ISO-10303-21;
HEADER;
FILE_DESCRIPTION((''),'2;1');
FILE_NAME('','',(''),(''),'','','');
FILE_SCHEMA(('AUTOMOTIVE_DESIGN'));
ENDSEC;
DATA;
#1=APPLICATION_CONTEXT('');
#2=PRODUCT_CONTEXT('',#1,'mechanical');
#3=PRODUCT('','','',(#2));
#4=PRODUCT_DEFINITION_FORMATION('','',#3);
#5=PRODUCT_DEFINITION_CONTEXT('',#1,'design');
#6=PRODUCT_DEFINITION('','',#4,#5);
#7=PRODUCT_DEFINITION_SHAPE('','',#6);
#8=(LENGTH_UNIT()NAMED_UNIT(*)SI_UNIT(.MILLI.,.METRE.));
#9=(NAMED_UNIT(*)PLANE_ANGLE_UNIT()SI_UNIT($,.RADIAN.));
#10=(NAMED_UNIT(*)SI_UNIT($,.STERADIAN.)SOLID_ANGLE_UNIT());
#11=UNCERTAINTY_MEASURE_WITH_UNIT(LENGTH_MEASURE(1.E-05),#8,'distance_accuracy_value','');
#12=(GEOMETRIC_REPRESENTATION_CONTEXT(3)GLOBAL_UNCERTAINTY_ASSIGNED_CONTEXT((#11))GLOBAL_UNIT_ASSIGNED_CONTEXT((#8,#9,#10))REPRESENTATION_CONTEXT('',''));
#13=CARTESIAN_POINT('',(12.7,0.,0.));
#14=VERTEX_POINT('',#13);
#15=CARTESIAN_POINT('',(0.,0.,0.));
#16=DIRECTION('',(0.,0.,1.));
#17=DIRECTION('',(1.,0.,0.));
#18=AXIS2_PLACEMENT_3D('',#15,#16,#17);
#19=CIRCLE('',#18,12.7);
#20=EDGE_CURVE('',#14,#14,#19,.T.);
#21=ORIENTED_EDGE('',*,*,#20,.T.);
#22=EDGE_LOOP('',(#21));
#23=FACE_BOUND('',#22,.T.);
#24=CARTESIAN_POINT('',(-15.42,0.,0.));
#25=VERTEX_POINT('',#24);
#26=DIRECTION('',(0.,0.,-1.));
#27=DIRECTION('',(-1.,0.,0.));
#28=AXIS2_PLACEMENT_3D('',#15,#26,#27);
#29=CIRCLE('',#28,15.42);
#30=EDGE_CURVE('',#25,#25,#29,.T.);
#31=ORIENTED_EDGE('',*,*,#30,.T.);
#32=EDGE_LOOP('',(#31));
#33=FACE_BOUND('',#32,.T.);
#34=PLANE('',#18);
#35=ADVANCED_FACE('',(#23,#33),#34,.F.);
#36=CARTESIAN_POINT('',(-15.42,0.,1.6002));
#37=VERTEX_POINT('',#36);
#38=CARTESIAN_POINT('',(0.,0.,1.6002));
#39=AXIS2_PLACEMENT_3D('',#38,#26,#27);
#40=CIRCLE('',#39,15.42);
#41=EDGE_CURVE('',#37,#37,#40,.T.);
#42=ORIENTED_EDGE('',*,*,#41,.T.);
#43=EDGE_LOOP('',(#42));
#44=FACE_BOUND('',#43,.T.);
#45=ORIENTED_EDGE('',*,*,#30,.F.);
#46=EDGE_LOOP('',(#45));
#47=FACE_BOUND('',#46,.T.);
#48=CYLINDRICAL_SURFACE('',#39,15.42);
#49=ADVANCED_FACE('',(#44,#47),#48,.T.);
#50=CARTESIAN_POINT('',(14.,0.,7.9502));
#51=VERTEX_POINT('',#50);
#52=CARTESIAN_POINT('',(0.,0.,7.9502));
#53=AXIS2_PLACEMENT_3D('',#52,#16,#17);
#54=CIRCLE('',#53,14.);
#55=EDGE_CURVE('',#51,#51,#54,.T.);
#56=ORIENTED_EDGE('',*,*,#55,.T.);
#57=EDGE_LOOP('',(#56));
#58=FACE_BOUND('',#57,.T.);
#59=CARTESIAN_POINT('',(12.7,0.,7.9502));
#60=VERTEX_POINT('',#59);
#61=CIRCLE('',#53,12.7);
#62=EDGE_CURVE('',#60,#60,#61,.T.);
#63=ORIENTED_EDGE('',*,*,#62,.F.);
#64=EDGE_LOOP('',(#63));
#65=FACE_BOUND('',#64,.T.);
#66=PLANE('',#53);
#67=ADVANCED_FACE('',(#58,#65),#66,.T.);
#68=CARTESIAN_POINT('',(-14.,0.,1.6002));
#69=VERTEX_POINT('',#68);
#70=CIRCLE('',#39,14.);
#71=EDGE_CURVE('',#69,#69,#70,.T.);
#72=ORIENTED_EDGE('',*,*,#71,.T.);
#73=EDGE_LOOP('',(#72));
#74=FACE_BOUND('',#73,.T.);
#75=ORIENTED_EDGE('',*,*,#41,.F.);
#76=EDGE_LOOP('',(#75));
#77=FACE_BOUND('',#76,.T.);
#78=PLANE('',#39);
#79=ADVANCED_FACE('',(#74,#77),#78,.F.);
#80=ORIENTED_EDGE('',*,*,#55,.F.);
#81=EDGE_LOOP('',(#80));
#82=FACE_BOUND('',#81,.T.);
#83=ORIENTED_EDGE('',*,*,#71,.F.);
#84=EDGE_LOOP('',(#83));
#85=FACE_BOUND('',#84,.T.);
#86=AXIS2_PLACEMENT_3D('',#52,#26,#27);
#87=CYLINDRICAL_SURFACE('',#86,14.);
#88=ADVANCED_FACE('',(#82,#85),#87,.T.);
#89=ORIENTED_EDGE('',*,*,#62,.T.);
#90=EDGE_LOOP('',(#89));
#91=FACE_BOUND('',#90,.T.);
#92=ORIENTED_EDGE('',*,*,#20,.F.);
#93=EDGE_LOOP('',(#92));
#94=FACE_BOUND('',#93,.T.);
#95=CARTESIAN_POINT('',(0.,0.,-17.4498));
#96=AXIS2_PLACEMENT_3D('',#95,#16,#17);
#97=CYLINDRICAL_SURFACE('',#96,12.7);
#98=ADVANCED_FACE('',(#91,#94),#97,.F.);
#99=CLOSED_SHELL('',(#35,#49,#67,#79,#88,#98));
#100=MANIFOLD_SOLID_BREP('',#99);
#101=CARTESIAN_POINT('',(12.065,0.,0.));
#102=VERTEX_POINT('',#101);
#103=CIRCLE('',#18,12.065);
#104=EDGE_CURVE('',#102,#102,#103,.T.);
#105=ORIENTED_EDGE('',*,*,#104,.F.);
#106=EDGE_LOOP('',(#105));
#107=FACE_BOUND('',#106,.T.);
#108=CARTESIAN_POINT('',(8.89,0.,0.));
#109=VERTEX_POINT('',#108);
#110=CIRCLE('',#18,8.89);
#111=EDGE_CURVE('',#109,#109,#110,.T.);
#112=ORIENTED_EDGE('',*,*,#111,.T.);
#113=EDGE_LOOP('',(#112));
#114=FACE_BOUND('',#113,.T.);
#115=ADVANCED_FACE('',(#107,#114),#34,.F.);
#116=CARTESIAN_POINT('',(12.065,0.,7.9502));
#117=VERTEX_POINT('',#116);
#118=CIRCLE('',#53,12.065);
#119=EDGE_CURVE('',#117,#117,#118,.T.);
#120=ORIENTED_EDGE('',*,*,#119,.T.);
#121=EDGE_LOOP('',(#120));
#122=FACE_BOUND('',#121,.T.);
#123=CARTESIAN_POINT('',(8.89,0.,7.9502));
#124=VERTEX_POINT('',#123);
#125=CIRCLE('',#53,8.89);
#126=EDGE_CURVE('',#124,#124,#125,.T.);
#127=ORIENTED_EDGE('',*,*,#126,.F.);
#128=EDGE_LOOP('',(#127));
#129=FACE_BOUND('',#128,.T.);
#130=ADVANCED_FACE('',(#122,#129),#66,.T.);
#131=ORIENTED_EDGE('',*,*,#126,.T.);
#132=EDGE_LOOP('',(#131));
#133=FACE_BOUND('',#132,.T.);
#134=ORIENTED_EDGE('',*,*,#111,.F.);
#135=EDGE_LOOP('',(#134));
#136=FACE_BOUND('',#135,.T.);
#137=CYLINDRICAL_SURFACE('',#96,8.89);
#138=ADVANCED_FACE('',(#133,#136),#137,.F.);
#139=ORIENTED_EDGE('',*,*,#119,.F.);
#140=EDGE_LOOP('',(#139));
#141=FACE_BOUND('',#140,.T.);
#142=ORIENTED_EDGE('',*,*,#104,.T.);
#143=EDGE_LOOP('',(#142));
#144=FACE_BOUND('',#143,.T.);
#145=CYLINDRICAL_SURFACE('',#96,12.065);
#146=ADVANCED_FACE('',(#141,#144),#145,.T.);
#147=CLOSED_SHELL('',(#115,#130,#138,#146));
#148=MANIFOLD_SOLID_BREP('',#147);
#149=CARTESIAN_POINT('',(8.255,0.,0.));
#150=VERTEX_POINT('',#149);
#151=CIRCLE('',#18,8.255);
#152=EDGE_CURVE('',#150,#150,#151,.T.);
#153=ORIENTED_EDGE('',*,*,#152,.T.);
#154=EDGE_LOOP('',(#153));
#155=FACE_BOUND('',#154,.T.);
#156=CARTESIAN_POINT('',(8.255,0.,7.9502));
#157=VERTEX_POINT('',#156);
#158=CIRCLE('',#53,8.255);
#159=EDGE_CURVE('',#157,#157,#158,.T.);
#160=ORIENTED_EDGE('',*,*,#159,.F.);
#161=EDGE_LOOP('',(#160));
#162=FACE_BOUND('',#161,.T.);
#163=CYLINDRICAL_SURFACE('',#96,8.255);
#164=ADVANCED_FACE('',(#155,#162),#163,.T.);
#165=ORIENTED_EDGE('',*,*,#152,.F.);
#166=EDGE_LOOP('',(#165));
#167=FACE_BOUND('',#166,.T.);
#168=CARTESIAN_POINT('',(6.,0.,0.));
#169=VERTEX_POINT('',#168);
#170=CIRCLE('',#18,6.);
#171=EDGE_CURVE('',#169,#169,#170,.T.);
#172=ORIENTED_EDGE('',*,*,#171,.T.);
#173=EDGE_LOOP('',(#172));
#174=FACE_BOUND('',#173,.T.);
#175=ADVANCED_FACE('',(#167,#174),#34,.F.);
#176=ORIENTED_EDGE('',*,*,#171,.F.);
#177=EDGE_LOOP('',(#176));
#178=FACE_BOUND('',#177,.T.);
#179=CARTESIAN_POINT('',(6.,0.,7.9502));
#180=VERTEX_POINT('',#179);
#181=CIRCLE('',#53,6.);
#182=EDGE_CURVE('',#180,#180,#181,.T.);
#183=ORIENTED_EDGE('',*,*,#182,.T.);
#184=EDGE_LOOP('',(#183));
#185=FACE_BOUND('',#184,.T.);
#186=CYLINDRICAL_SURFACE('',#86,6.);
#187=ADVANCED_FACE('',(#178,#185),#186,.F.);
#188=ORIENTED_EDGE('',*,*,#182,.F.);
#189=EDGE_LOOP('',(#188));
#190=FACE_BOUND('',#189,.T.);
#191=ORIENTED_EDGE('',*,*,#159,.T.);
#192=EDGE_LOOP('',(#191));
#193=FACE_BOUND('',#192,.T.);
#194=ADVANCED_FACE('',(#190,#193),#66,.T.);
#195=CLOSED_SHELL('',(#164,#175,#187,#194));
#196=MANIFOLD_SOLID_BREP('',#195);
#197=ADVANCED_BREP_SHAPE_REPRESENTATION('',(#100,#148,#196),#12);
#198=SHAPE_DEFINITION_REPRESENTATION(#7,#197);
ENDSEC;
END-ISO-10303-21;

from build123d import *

# Parameters (mm, degrees)
CROQUIS1_R              = 14
CROQUIS1_R_2            = 6
SALIENTE_EXTRUIR1_DEPTH = 7.9502
CROQUIS2_R              = 15.42
CROQUIS2_R_2            = 14
SALIENTE_EXTRUIR2_DEPTH = 1.6002
CROQUIS3_R              = 12.7
CROQUIS3_R_2            = 12.065
CROQUIS3_R_3            = 8.89
CROQUIS3_R_4            = 8.255
CORTAR_EXTRUIR1_DEPTH   = 25.4


with BuildPart() as part:
    # Croquis1 → Saliente-Extruir1 (new body)
    with BuildSketch(Plane.XY):
        Circle(CROQUIS1_R)
        Circle(CROQUIS1_R_2, mode=Mode.SUBTRACT)
    extrude(amount=SALIENTE_EXTRUIR1_DEPTH)

    # Croquis2 → Saliente-Extruir2 (add)
    with BuildSketch(Plane(origin=(0, 0, 0), x_dir=(-1, 0, 0), z_dir=(0, 0, -1))):
        Circle(CROQUIS2_R)
        Circle(CROQUIS2_R_2, mode=Mode.SUBTRACT)
    extrude(amount=-SALIENTE_EXTRUIR2_DEPTH)

    # Croquis3 → Cortar-Extruir1 (cut)
    # profile 1 of 2: a face of its own
    with BuildSketch(Plane.XY.offset(7.9502)):
        Circle(CROQUIS3_R)
        Circle(CROQUIS3_R_2, mode=Mode.SUBTRACT)
    # profile 2 of 2: a face of its own
    with BuildSketch(Plane.XY.offset(7.9502)):
        Circle(CROQUIS3_R_3)
        Circle(CROQUIS3_R_4, mode=Mode.SUBTRACT)
    extrude(amount=-CORTAR_EXTRUIR1_DEPTH, mode=Mode.SUBTRACT)


with BuildPart() as cortar_extruir1_piece_1:
    # of the separate pieces the step leaves, piece 1, a body of its own (cortar_extruir1_pieces)
    add(part.part.solids().sort_by_distance((12.065, 0, 7.9502))[0])


with BuildPart() as cortar_extruir1_piece_2:
    # of the separate pieces the step leaves, piece 2, a body of its own (cortar_extruir1_pieces)
    add(part.part.solids().sort_by_distance((14, 0, 1.6002))[0])


with BuildPart() as cortar_extruir1_piece_3:
    # of the separate pieces the step leaves, piece 3, a body of its own (cortar_extruir1_pieces)
    add(part.part.solids().sort_by_distance((8.255, 0, 7.9502))[0])


solid = Compound([cortar_extruir1_piece_1.part, cortar_extruir1_piece_2.part, cortar_extruir1_piece_3.part])
